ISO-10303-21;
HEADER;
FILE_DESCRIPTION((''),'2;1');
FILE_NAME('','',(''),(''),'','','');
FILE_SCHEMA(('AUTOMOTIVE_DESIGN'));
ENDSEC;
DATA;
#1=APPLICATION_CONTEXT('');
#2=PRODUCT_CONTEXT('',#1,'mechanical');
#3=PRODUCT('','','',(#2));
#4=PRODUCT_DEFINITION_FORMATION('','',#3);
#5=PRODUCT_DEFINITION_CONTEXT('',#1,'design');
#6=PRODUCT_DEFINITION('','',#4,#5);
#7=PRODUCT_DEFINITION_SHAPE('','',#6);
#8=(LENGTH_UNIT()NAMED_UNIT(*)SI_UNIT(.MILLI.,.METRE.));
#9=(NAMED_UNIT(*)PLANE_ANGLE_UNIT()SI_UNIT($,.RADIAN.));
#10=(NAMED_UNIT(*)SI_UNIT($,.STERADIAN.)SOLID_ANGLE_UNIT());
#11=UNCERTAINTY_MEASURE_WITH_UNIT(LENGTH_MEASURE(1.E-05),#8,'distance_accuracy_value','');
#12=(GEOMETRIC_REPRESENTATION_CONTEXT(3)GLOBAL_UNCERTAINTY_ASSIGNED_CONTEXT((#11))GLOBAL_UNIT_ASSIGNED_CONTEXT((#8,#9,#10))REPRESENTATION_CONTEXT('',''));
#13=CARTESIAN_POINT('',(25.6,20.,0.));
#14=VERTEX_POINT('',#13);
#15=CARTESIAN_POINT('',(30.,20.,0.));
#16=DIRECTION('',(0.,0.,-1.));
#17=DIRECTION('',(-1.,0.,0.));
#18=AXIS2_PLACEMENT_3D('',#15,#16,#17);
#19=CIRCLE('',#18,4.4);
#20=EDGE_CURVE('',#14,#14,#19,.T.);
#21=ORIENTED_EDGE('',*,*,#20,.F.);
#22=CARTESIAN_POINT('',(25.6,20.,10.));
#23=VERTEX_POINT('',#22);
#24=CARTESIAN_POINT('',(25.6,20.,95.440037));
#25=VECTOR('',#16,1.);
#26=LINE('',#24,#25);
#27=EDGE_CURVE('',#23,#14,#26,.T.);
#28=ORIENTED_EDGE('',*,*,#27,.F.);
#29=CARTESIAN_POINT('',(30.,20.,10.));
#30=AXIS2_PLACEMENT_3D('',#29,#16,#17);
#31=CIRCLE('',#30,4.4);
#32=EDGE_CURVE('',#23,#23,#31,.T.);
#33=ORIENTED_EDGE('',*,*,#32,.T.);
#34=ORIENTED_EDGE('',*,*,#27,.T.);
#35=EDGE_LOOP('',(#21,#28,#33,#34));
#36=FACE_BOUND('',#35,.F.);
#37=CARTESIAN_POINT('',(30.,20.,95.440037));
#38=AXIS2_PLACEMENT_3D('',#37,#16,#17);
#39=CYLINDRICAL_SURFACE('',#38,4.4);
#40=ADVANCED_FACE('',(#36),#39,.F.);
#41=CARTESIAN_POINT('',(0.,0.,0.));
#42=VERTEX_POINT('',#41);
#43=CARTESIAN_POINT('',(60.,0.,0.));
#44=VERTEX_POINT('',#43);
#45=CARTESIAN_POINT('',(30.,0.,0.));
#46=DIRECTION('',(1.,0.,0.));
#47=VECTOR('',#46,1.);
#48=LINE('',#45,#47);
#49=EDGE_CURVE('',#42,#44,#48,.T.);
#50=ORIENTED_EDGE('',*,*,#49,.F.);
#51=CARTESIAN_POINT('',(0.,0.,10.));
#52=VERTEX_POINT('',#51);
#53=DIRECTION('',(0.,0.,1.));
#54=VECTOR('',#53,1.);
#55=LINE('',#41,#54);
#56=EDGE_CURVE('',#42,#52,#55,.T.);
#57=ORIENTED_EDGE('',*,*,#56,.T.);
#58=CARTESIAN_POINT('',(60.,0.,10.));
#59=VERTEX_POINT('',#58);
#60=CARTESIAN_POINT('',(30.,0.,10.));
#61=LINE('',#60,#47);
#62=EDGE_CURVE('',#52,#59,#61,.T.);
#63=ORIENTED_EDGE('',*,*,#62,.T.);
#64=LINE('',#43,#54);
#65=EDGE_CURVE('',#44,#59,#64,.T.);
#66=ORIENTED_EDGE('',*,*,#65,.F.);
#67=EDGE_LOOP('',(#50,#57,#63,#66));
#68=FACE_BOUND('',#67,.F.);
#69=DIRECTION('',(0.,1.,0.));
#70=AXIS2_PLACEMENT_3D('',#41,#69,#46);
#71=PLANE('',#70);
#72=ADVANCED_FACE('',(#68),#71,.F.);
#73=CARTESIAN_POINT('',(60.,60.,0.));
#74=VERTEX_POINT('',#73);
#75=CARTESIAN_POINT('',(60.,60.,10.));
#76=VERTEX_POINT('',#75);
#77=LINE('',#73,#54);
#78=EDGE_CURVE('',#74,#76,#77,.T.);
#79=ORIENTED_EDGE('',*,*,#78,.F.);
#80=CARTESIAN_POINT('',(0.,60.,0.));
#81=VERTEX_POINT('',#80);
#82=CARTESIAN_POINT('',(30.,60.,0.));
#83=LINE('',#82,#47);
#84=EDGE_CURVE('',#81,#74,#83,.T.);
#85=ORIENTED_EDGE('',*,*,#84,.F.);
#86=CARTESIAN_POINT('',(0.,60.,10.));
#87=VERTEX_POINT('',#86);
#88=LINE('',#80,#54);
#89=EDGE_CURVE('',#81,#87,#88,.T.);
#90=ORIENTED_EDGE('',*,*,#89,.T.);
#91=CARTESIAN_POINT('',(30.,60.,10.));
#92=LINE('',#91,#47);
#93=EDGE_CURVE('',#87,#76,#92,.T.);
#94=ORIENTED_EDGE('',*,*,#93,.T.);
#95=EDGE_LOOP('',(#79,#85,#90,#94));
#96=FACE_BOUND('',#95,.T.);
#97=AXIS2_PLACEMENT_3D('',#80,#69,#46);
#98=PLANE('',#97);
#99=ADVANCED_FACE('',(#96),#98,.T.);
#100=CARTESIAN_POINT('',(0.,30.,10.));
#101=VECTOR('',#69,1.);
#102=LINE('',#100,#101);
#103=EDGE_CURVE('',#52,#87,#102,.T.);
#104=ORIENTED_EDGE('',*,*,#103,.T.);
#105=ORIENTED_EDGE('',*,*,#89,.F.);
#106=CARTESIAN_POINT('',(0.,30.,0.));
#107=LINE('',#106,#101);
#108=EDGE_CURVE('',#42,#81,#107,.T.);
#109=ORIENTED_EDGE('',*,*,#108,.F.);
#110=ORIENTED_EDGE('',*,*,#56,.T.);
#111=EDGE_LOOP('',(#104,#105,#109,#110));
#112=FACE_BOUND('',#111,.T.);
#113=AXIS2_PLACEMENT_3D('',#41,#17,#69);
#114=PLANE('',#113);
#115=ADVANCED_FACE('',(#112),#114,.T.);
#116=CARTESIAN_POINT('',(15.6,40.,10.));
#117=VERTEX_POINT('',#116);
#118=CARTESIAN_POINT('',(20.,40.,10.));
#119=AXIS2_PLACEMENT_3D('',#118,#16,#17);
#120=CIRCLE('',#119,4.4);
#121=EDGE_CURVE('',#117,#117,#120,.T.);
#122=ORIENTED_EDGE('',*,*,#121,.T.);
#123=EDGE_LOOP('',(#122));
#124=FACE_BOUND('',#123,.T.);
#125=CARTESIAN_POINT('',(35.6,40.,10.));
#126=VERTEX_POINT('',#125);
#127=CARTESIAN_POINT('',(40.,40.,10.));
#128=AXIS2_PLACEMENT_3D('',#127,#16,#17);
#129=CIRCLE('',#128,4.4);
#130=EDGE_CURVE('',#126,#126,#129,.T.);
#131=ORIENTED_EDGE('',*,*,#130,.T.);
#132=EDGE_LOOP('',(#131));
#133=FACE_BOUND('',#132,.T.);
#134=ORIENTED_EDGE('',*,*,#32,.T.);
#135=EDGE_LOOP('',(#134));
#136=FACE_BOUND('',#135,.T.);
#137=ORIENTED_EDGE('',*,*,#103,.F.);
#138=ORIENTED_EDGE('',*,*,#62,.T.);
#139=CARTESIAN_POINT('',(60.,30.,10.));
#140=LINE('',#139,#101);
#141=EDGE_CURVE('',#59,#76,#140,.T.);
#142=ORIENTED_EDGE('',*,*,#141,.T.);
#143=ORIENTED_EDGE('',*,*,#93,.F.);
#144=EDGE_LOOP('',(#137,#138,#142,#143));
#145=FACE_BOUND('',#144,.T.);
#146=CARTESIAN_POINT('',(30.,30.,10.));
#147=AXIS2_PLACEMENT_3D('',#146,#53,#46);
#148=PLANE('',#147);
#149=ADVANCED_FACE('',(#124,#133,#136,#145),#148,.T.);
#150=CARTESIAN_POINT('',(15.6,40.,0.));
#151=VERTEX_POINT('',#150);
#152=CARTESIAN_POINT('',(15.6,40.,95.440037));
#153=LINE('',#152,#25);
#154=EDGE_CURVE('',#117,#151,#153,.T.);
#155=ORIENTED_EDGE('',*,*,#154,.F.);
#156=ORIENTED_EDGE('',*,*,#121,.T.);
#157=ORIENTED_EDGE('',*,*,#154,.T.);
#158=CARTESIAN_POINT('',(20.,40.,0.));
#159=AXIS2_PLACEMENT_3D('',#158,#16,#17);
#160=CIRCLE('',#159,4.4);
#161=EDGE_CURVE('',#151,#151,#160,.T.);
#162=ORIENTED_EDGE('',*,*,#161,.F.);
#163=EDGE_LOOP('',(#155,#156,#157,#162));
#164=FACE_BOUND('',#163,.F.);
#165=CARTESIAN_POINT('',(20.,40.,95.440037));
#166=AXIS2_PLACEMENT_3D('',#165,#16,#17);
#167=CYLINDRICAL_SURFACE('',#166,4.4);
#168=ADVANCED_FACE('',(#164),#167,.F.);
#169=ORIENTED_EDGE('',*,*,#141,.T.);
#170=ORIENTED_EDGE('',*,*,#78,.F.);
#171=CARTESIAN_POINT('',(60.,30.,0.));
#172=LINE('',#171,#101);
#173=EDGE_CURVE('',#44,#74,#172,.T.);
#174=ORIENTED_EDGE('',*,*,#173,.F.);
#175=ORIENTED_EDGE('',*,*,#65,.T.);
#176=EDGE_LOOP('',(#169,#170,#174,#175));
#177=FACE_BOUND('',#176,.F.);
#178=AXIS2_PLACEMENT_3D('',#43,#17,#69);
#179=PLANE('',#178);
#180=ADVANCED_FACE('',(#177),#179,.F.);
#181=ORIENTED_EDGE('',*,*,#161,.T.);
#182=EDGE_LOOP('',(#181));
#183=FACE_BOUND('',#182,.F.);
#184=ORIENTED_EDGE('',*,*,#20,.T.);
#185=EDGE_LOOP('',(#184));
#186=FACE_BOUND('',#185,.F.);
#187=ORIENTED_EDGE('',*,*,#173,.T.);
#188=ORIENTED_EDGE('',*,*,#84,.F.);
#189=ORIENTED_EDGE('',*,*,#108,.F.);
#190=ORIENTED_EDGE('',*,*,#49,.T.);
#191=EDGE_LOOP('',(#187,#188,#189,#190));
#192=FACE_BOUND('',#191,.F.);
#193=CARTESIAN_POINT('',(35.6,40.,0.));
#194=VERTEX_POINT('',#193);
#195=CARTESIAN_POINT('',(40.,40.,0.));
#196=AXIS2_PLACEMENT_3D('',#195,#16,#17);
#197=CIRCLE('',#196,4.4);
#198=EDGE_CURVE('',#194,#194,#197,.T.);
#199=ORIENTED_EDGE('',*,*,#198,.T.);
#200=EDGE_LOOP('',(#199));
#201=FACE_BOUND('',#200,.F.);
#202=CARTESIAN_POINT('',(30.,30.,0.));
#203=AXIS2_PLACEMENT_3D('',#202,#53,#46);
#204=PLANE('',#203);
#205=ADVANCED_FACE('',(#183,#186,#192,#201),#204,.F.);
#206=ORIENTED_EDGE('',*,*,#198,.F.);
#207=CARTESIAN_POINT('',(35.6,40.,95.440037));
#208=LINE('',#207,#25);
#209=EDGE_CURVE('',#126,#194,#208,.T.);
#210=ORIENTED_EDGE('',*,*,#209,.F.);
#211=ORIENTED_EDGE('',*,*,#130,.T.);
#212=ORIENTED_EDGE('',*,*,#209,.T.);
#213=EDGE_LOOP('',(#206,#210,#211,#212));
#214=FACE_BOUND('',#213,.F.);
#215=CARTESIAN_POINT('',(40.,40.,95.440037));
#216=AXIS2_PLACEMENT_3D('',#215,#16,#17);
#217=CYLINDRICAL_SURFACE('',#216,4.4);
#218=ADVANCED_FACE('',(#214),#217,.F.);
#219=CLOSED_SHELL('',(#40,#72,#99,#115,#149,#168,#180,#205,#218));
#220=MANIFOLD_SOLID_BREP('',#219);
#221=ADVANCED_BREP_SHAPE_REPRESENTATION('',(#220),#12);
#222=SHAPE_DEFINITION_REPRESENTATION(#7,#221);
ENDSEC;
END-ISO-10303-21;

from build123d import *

# Parameters (mm, degrees)
F0_W     = 60
F0_H     = 60
F1_DEPTH = 10
F3_D     = 8.8


with BuildPart() as f1:
    # F0 (on Top) → F1 (new body)
    with BuildSketch(Plane.XY):
        with Locations((30, 30)):
            Rectangle(F0_W, F0_H)
    extrude(amount=F1_DEPTH)

    # F3 (through all)
    with Locations(Plane.XY.offset(10)):
        with Locations((20, 40), (40, 40), (30, 20)):
            Hole(F3_D / 2)


solid = f1.part
